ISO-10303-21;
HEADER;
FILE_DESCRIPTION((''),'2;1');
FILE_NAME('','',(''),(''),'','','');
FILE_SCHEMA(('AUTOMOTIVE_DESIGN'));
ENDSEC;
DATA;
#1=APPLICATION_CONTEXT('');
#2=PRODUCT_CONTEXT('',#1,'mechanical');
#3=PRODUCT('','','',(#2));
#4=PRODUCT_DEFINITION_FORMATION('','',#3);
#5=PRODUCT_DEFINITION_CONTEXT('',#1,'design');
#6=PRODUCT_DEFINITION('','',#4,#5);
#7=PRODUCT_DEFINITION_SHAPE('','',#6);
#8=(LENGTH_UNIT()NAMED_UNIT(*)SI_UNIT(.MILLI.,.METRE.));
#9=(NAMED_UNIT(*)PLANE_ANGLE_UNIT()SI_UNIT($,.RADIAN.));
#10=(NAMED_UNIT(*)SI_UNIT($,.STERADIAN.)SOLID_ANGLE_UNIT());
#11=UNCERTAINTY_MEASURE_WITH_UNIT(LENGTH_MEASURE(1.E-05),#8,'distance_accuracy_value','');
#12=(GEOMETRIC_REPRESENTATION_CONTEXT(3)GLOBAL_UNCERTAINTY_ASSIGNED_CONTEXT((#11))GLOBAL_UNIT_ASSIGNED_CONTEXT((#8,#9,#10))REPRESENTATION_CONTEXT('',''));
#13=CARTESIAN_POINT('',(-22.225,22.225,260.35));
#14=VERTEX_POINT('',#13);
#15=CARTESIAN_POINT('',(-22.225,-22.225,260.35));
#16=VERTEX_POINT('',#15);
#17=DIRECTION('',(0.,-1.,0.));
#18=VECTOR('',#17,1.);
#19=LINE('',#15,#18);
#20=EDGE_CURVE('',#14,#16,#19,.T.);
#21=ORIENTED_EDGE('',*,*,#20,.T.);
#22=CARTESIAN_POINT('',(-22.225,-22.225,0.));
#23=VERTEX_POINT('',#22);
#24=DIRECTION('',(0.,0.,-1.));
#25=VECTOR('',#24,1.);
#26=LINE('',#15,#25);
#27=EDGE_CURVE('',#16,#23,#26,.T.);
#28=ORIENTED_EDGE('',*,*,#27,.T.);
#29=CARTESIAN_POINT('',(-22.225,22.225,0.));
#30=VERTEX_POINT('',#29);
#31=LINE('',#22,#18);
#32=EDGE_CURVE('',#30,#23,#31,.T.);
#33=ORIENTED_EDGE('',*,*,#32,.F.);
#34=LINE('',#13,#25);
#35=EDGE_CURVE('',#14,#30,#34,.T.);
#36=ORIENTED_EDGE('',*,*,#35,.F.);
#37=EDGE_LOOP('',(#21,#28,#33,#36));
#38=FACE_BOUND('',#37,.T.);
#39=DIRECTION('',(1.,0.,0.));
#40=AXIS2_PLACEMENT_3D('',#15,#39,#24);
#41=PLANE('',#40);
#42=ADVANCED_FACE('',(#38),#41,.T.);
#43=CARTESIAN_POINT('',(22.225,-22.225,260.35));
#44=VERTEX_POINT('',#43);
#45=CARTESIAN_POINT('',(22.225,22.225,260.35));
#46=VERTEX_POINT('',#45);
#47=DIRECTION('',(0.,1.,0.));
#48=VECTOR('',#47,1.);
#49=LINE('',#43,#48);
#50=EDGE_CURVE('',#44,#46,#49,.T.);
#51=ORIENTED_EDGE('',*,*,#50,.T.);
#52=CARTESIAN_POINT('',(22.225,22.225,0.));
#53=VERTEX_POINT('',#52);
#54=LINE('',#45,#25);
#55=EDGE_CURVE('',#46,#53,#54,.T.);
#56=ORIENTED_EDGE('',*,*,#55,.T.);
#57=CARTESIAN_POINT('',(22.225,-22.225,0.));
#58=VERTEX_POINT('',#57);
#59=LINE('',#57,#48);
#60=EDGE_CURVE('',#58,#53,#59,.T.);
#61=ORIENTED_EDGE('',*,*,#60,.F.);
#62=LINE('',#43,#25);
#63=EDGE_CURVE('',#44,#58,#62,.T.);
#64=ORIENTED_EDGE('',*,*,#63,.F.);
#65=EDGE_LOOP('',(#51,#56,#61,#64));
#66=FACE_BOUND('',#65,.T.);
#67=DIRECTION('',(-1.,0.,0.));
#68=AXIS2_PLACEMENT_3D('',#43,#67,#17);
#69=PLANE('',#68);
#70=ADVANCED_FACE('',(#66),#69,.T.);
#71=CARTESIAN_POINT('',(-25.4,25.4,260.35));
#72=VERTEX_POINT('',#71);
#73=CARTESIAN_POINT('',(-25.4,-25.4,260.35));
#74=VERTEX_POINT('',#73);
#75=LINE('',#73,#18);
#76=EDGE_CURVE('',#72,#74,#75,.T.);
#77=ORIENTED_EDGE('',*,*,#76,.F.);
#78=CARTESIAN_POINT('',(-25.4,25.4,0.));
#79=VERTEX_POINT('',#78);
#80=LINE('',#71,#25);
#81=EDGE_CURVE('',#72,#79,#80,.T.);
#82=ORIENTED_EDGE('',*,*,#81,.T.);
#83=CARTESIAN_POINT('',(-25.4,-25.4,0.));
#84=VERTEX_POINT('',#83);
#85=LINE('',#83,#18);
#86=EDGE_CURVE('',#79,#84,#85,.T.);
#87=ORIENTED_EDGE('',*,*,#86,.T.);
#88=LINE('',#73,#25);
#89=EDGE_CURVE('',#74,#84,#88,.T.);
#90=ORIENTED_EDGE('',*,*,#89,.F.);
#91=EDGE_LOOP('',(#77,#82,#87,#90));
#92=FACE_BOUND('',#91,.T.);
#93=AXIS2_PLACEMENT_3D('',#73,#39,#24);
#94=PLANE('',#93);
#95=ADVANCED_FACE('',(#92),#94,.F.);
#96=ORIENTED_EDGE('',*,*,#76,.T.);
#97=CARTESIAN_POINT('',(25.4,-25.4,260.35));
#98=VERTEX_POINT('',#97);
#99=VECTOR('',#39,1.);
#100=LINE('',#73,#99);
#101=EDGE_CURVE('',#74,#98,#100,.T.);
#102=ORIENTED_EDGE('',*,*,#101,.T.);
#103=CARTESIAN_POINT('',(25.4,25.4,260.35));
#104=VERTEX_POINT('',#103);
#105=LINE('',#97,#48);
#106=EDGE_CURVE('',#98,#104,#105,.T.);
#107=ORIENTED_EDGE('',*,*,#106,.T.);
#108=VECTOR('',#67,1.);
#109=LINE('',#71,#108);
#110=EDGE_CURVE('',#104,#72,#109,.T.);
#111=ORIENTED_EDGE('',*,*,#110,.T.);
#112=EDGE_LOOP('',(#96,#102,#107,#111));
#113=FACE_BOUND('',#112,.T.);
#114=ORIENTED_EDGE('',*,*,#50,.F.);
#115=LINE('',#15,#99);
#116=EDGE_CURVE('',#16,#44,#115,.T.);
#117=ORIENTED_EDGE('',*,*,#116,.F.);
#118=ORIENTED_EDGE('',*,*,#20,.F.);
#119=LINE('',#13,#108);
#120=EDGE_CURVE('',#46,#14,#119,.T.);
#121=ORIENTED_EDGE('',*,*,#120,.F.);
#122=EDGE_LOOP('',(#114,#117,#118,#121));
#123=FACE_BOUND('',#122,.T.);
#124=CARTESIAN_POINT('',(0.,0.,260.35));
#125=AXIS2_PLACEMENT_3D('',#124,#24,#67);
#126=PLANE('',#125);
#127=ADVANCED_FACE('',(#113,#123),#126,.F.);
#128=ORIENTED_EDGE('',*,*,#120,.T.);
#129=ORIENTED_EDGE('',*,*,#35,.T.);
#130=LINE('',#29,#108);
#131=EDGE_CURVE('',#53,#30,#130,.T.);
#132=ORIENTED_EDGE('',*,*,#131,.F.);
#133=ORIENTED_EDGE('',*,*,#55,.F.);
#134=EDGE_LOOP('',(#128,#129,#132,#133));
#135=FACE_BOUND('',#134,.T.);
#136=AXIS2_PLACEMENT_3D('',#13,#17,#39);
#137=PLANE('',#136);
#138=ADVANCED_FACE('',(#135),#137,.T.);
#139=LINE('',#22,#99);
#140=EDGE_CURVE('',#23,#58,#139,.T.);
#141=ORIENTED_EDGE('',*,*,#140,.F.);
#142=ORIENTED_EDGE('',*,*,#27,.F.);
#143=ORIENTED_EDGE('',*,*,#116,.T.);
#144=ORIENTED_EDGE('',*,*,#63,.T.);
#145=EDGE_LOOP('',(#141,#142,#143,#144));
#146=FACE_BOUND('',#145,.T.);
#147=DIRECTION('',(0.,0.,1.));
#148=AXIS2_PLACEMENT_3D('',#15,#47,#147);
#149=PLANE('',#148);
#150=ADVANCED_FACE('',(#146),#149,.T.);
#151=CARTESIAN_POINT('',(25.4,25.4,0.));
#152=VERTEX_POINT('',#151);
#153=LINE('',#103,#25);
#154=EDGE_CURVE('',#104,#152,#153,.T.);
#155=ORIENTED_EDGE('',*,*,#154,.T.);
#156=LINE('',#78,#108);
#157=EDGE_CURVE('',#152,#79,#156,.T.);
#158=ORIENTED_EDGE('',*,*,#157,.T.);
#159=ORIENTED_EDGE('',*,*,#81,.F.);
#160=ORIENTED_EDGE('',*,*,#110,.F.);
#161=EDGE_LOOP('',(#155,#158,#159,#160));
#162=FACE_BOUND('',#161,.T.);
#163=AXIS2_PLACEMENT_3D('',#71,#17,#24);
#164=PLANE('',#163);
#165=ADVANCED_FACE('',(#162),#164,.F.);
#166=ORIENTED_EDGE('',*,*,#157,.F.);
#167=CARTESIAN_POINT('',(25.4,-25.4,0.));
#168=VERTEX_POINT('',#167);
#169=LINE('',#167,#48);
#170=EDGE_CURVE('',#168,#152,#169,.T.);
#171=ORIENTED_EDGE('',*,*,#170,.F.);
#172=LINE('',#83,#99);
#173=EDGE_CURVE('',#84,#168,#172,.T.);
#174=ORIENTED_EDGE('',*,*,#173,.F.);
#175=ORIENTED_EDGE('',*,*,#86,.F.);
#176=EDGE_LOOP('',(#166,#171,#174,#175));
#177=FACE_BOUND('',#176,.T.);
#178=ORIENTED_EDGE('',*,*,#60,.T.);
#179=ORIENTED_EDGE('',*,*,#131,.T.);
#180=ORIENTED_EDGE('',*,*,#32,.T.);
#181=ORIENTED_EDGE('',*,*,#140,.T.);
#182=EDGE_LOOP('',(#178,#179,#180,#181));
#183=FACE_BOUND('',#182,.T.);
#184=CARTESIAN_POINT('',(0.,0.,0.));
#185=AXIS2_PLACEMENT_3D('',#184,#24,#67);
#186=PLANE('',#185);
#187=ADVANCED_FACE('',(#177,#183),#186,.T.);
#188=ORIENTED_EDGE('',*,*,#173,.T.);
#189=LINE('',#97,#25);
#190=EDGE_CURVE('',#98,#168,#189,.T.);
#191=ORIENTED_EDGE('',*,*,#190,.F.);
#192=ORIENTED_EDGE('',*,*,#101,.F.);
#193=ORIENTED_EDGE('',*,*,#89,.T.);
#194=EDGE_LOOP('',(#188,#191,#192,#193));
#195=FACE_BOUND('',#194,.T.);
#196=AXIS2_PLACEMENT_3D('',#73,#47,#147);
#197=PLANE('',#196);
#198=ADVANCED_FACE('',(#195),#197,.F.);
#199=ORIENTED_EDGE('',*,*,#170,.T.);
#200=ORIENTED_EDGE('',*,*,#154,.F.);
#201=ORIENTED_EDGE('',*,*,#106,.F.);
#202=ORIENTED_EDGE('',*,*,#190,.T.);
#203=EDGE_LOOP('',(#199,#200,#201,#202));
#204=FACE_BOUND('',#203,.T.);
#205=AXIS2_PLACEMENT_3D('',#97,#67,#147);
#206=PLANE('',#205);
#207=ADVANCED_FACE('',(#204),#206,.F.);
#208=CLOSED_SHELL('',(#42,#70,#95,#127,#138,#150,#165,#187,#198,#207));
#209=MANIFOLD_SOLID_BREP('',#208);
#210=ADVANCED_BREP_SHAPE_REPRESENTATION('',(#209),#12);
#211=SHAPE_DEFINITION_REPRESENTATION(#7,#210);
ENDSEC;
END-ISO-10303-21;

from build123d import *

# Parameters (mm, degrees)
SKETCH1_W           = 50.8
SKETCH1_H           = 50.8
SKETCH1_W_2         = 44.45
SKETCH1_H_2         = 44.45
BOSS_EXTRUDE1_DEPTH = 260.35


with BuildPart() as part:
    # Sketch1 → Boss-Extrude1 (new body)
    with BuildSketch(Plane.XY):
        Rectangle(SKETCH1_W, SKETCH1_H)
        Rectangle(SKETCH1_W_2, SKETCH1_H_2, mode=Mode.SUBTRACT)
    extrude(amount=BOSS_EXTRUDE1_DEPTH)


solid = part.part
